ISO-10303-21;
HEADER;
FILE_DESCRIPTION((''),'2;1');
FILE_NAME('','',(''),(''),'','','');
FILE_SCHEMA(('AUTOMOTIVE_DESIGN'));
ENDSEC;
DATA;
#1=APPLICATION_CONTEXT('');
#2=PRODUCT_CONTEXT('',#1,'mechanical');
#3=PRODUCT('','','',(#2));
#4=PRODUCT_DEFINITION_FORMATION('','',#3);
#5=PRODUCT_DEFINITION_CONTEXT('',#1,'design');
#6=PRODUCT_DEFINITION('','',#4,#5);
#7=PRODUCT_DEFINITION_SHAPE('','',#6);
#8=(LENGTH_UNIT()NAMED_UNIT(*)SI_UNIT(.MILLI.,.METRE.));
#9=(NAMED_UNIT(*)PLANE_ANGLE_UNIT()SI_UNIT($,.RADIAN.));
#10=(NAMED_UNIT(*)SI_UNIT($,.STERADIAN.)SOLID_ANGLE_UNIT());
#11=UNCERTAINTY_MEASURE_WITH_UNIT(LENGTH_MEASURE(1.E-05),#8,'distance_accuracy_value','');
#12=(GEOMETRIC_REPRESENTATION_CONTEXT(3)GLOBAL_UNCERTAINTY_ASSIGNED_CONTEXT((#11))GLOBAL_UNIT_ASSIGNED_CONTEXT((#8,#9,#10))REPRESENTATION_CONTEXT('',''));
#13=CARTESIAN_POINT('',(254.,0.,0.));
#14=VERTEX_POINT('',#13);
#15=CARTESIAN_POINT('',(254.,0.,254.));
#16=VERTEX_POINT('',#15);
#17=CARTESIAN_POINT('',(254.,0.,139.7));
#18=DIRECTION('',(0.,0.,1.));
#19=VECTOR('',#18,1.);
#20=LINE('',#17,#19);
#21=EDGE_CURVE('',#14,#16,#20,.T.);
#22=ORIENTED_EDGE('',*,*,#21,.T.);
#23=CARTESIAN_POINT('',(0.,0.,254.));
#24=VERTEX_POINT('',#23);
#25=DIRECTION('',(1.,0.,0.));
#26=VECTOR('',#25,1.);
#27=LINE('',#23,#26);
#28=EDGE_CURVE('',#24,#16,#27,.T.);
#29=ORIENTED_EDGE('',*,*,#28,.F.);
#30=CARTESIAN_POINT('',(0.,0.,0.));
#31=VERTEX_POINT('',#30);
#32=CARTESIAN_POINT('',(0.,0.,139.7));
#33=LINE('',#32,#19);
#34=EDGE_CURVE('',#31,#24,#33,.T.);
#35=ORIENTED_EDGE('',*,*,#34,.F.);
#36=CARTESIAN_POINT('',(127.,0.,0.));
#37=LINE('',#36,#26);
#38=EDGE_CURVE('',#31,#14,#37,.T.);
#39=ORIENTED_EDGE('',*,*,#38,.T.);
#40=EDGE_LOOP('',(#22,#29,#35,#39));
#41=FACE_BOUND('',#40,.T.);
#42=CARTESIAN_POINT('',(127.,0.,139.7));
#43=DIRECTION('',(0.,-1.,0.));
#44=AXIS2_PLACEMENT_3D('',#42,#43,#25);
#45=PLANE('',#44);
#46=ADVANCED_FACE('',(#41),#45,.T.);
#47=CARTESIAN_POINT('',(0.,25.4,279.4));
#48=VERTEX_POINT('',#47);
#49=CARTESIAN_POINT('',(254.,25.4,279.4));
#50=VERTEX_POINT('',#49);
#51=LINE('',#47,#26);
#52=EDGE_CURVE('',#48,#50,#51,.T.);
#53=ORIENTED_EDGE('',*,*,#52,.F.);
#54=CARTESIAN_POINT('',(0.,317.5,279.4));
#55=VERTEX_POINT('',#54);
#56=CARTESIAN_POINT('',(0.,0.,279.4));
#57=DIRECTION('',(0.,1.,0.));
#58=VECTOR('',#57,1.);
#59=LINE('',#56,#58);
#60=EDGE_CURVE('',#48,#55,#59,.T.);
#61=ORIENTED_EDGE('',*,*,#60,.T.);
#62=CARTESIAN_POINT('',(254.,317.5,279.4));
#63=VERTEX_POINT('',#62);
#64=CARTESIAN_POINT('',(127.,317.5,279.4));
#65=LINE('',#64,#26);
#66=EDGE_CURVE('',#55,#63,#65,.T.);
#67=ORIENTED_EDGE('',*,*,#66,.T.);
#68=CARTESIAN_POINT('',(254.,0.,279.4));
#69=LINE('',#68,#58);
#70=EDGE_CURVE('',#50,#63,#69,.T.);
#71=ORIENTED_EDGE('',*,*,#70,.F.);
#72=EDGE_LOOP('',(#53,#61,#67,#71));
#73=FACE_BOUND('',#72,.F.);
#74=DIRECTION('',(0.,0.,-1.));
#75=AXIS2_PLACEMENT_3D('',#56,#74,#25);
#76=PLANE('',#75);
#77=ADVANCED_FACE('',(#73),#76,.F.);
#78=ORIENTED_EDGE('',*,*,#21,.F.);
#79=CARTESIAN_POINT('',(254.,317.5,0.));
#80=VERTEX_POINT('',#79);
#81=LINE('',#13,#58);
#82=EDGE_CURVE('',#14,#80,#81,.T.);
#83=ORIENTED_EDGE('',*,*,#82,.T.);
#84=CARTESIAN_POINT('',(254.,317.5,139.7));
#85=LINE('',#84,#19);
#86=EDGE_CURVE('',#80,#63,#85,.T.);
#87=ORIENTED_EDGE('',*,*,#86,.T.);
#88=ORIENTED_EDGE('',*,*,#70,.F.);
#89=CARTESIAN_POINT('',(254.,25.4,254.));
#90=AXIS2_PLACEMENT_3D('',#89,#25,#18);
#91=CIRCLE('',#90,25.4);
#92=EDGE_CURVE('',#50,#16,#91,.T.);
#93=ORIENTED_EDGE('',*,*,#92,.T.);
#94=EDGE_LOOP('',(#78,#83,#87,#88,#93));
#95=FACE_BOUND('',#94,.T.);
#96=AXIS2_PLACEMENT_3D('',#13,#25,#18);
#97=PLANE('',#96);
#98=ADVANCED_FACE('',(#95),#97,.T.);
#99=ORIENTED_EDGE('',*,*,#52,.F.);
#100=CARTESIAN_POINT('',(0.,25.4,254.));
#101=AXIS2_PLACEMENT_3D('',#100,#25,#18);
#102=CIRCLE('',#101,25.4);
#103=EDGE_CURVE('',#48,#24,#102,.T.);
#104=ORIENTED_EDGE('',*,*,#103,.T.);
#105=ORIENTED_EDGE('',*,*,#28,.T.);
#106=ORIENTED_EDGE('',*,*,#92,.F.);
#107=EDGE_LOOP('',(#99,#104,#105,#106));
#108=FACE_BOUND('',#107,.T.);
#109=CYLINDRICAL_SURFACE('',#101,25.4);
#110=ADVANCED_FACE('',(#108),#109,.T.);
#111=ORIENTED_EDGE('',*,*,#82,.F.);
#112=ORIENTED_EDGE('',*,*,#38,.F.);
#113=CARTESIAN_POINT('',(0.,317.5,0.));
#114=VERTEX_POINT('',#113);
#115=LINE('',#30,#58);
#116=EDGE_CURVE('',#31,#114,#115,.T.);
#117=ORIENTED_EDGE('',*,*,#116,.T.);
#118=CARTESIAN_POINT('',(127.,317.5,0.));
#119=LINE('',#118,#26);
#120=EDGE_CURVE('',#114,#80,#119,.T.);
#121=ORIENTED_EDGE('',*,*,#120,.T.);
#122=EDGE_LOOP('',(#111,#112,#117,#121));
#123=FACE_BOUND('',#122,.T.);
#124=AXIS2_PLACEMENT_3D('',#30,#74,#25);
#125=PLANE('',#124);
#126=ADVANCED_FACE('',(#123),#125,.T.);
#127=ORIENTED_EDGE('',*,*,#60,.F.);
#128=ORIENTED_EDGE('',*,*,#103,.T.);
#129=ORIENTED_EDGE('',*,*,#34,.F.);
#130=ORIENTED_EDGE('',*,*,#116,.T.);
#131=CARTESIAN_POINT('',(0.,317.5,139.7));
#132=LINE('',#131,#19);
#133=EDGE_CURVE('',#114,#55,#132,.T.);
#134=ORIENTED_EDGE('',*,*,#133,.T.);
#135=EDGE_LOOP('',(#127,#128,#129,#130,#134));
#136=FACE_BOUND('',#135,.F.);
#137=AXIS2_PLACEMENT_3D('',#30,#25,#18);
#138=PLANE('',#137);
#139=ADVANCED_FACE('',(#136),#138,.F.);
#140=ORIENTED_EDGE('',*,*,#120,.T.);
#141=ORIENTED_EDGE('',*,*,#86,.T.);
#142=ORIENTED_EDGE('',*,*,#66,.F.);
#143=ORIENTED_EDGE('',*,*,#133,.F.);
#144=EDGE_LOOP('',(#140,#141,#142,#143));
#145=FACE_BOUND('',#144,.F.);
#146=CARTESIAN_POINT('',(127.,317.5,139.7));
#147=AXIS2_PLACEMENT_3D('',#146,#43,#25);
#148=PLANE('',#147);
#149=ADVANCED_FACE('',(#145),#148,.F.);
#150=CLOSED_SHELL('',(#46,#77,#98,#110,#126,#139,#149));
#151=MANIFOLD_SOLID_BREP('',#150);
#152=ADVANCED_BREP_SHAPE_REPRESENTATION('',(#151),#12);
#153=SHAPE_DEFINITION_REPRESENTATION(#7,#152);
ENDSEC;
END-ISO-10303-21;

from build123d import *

# Parameters (mm, degrees)
F0_W     = 254
F0_H     = 279.4
F1_DEPTH = 317.5
F2_R     = 25.4


with BuildPart() as f1:
    # F0 (on Front) → F1 (new body)
    with BuildSketch(Plane.XZ):
        with Locations((127, 139.7)):
            Rectangle(F0_W, F0_H)
    extrude(amount=-F1_DEPTH)

    # F2
    f2_edges = [f1.edges().sort_by_distance(p)[0] for p in [
        (127, 0, 279.4),
    ]]
    fillet(f2_edges, radius=F2_R)


solid = f1.part
